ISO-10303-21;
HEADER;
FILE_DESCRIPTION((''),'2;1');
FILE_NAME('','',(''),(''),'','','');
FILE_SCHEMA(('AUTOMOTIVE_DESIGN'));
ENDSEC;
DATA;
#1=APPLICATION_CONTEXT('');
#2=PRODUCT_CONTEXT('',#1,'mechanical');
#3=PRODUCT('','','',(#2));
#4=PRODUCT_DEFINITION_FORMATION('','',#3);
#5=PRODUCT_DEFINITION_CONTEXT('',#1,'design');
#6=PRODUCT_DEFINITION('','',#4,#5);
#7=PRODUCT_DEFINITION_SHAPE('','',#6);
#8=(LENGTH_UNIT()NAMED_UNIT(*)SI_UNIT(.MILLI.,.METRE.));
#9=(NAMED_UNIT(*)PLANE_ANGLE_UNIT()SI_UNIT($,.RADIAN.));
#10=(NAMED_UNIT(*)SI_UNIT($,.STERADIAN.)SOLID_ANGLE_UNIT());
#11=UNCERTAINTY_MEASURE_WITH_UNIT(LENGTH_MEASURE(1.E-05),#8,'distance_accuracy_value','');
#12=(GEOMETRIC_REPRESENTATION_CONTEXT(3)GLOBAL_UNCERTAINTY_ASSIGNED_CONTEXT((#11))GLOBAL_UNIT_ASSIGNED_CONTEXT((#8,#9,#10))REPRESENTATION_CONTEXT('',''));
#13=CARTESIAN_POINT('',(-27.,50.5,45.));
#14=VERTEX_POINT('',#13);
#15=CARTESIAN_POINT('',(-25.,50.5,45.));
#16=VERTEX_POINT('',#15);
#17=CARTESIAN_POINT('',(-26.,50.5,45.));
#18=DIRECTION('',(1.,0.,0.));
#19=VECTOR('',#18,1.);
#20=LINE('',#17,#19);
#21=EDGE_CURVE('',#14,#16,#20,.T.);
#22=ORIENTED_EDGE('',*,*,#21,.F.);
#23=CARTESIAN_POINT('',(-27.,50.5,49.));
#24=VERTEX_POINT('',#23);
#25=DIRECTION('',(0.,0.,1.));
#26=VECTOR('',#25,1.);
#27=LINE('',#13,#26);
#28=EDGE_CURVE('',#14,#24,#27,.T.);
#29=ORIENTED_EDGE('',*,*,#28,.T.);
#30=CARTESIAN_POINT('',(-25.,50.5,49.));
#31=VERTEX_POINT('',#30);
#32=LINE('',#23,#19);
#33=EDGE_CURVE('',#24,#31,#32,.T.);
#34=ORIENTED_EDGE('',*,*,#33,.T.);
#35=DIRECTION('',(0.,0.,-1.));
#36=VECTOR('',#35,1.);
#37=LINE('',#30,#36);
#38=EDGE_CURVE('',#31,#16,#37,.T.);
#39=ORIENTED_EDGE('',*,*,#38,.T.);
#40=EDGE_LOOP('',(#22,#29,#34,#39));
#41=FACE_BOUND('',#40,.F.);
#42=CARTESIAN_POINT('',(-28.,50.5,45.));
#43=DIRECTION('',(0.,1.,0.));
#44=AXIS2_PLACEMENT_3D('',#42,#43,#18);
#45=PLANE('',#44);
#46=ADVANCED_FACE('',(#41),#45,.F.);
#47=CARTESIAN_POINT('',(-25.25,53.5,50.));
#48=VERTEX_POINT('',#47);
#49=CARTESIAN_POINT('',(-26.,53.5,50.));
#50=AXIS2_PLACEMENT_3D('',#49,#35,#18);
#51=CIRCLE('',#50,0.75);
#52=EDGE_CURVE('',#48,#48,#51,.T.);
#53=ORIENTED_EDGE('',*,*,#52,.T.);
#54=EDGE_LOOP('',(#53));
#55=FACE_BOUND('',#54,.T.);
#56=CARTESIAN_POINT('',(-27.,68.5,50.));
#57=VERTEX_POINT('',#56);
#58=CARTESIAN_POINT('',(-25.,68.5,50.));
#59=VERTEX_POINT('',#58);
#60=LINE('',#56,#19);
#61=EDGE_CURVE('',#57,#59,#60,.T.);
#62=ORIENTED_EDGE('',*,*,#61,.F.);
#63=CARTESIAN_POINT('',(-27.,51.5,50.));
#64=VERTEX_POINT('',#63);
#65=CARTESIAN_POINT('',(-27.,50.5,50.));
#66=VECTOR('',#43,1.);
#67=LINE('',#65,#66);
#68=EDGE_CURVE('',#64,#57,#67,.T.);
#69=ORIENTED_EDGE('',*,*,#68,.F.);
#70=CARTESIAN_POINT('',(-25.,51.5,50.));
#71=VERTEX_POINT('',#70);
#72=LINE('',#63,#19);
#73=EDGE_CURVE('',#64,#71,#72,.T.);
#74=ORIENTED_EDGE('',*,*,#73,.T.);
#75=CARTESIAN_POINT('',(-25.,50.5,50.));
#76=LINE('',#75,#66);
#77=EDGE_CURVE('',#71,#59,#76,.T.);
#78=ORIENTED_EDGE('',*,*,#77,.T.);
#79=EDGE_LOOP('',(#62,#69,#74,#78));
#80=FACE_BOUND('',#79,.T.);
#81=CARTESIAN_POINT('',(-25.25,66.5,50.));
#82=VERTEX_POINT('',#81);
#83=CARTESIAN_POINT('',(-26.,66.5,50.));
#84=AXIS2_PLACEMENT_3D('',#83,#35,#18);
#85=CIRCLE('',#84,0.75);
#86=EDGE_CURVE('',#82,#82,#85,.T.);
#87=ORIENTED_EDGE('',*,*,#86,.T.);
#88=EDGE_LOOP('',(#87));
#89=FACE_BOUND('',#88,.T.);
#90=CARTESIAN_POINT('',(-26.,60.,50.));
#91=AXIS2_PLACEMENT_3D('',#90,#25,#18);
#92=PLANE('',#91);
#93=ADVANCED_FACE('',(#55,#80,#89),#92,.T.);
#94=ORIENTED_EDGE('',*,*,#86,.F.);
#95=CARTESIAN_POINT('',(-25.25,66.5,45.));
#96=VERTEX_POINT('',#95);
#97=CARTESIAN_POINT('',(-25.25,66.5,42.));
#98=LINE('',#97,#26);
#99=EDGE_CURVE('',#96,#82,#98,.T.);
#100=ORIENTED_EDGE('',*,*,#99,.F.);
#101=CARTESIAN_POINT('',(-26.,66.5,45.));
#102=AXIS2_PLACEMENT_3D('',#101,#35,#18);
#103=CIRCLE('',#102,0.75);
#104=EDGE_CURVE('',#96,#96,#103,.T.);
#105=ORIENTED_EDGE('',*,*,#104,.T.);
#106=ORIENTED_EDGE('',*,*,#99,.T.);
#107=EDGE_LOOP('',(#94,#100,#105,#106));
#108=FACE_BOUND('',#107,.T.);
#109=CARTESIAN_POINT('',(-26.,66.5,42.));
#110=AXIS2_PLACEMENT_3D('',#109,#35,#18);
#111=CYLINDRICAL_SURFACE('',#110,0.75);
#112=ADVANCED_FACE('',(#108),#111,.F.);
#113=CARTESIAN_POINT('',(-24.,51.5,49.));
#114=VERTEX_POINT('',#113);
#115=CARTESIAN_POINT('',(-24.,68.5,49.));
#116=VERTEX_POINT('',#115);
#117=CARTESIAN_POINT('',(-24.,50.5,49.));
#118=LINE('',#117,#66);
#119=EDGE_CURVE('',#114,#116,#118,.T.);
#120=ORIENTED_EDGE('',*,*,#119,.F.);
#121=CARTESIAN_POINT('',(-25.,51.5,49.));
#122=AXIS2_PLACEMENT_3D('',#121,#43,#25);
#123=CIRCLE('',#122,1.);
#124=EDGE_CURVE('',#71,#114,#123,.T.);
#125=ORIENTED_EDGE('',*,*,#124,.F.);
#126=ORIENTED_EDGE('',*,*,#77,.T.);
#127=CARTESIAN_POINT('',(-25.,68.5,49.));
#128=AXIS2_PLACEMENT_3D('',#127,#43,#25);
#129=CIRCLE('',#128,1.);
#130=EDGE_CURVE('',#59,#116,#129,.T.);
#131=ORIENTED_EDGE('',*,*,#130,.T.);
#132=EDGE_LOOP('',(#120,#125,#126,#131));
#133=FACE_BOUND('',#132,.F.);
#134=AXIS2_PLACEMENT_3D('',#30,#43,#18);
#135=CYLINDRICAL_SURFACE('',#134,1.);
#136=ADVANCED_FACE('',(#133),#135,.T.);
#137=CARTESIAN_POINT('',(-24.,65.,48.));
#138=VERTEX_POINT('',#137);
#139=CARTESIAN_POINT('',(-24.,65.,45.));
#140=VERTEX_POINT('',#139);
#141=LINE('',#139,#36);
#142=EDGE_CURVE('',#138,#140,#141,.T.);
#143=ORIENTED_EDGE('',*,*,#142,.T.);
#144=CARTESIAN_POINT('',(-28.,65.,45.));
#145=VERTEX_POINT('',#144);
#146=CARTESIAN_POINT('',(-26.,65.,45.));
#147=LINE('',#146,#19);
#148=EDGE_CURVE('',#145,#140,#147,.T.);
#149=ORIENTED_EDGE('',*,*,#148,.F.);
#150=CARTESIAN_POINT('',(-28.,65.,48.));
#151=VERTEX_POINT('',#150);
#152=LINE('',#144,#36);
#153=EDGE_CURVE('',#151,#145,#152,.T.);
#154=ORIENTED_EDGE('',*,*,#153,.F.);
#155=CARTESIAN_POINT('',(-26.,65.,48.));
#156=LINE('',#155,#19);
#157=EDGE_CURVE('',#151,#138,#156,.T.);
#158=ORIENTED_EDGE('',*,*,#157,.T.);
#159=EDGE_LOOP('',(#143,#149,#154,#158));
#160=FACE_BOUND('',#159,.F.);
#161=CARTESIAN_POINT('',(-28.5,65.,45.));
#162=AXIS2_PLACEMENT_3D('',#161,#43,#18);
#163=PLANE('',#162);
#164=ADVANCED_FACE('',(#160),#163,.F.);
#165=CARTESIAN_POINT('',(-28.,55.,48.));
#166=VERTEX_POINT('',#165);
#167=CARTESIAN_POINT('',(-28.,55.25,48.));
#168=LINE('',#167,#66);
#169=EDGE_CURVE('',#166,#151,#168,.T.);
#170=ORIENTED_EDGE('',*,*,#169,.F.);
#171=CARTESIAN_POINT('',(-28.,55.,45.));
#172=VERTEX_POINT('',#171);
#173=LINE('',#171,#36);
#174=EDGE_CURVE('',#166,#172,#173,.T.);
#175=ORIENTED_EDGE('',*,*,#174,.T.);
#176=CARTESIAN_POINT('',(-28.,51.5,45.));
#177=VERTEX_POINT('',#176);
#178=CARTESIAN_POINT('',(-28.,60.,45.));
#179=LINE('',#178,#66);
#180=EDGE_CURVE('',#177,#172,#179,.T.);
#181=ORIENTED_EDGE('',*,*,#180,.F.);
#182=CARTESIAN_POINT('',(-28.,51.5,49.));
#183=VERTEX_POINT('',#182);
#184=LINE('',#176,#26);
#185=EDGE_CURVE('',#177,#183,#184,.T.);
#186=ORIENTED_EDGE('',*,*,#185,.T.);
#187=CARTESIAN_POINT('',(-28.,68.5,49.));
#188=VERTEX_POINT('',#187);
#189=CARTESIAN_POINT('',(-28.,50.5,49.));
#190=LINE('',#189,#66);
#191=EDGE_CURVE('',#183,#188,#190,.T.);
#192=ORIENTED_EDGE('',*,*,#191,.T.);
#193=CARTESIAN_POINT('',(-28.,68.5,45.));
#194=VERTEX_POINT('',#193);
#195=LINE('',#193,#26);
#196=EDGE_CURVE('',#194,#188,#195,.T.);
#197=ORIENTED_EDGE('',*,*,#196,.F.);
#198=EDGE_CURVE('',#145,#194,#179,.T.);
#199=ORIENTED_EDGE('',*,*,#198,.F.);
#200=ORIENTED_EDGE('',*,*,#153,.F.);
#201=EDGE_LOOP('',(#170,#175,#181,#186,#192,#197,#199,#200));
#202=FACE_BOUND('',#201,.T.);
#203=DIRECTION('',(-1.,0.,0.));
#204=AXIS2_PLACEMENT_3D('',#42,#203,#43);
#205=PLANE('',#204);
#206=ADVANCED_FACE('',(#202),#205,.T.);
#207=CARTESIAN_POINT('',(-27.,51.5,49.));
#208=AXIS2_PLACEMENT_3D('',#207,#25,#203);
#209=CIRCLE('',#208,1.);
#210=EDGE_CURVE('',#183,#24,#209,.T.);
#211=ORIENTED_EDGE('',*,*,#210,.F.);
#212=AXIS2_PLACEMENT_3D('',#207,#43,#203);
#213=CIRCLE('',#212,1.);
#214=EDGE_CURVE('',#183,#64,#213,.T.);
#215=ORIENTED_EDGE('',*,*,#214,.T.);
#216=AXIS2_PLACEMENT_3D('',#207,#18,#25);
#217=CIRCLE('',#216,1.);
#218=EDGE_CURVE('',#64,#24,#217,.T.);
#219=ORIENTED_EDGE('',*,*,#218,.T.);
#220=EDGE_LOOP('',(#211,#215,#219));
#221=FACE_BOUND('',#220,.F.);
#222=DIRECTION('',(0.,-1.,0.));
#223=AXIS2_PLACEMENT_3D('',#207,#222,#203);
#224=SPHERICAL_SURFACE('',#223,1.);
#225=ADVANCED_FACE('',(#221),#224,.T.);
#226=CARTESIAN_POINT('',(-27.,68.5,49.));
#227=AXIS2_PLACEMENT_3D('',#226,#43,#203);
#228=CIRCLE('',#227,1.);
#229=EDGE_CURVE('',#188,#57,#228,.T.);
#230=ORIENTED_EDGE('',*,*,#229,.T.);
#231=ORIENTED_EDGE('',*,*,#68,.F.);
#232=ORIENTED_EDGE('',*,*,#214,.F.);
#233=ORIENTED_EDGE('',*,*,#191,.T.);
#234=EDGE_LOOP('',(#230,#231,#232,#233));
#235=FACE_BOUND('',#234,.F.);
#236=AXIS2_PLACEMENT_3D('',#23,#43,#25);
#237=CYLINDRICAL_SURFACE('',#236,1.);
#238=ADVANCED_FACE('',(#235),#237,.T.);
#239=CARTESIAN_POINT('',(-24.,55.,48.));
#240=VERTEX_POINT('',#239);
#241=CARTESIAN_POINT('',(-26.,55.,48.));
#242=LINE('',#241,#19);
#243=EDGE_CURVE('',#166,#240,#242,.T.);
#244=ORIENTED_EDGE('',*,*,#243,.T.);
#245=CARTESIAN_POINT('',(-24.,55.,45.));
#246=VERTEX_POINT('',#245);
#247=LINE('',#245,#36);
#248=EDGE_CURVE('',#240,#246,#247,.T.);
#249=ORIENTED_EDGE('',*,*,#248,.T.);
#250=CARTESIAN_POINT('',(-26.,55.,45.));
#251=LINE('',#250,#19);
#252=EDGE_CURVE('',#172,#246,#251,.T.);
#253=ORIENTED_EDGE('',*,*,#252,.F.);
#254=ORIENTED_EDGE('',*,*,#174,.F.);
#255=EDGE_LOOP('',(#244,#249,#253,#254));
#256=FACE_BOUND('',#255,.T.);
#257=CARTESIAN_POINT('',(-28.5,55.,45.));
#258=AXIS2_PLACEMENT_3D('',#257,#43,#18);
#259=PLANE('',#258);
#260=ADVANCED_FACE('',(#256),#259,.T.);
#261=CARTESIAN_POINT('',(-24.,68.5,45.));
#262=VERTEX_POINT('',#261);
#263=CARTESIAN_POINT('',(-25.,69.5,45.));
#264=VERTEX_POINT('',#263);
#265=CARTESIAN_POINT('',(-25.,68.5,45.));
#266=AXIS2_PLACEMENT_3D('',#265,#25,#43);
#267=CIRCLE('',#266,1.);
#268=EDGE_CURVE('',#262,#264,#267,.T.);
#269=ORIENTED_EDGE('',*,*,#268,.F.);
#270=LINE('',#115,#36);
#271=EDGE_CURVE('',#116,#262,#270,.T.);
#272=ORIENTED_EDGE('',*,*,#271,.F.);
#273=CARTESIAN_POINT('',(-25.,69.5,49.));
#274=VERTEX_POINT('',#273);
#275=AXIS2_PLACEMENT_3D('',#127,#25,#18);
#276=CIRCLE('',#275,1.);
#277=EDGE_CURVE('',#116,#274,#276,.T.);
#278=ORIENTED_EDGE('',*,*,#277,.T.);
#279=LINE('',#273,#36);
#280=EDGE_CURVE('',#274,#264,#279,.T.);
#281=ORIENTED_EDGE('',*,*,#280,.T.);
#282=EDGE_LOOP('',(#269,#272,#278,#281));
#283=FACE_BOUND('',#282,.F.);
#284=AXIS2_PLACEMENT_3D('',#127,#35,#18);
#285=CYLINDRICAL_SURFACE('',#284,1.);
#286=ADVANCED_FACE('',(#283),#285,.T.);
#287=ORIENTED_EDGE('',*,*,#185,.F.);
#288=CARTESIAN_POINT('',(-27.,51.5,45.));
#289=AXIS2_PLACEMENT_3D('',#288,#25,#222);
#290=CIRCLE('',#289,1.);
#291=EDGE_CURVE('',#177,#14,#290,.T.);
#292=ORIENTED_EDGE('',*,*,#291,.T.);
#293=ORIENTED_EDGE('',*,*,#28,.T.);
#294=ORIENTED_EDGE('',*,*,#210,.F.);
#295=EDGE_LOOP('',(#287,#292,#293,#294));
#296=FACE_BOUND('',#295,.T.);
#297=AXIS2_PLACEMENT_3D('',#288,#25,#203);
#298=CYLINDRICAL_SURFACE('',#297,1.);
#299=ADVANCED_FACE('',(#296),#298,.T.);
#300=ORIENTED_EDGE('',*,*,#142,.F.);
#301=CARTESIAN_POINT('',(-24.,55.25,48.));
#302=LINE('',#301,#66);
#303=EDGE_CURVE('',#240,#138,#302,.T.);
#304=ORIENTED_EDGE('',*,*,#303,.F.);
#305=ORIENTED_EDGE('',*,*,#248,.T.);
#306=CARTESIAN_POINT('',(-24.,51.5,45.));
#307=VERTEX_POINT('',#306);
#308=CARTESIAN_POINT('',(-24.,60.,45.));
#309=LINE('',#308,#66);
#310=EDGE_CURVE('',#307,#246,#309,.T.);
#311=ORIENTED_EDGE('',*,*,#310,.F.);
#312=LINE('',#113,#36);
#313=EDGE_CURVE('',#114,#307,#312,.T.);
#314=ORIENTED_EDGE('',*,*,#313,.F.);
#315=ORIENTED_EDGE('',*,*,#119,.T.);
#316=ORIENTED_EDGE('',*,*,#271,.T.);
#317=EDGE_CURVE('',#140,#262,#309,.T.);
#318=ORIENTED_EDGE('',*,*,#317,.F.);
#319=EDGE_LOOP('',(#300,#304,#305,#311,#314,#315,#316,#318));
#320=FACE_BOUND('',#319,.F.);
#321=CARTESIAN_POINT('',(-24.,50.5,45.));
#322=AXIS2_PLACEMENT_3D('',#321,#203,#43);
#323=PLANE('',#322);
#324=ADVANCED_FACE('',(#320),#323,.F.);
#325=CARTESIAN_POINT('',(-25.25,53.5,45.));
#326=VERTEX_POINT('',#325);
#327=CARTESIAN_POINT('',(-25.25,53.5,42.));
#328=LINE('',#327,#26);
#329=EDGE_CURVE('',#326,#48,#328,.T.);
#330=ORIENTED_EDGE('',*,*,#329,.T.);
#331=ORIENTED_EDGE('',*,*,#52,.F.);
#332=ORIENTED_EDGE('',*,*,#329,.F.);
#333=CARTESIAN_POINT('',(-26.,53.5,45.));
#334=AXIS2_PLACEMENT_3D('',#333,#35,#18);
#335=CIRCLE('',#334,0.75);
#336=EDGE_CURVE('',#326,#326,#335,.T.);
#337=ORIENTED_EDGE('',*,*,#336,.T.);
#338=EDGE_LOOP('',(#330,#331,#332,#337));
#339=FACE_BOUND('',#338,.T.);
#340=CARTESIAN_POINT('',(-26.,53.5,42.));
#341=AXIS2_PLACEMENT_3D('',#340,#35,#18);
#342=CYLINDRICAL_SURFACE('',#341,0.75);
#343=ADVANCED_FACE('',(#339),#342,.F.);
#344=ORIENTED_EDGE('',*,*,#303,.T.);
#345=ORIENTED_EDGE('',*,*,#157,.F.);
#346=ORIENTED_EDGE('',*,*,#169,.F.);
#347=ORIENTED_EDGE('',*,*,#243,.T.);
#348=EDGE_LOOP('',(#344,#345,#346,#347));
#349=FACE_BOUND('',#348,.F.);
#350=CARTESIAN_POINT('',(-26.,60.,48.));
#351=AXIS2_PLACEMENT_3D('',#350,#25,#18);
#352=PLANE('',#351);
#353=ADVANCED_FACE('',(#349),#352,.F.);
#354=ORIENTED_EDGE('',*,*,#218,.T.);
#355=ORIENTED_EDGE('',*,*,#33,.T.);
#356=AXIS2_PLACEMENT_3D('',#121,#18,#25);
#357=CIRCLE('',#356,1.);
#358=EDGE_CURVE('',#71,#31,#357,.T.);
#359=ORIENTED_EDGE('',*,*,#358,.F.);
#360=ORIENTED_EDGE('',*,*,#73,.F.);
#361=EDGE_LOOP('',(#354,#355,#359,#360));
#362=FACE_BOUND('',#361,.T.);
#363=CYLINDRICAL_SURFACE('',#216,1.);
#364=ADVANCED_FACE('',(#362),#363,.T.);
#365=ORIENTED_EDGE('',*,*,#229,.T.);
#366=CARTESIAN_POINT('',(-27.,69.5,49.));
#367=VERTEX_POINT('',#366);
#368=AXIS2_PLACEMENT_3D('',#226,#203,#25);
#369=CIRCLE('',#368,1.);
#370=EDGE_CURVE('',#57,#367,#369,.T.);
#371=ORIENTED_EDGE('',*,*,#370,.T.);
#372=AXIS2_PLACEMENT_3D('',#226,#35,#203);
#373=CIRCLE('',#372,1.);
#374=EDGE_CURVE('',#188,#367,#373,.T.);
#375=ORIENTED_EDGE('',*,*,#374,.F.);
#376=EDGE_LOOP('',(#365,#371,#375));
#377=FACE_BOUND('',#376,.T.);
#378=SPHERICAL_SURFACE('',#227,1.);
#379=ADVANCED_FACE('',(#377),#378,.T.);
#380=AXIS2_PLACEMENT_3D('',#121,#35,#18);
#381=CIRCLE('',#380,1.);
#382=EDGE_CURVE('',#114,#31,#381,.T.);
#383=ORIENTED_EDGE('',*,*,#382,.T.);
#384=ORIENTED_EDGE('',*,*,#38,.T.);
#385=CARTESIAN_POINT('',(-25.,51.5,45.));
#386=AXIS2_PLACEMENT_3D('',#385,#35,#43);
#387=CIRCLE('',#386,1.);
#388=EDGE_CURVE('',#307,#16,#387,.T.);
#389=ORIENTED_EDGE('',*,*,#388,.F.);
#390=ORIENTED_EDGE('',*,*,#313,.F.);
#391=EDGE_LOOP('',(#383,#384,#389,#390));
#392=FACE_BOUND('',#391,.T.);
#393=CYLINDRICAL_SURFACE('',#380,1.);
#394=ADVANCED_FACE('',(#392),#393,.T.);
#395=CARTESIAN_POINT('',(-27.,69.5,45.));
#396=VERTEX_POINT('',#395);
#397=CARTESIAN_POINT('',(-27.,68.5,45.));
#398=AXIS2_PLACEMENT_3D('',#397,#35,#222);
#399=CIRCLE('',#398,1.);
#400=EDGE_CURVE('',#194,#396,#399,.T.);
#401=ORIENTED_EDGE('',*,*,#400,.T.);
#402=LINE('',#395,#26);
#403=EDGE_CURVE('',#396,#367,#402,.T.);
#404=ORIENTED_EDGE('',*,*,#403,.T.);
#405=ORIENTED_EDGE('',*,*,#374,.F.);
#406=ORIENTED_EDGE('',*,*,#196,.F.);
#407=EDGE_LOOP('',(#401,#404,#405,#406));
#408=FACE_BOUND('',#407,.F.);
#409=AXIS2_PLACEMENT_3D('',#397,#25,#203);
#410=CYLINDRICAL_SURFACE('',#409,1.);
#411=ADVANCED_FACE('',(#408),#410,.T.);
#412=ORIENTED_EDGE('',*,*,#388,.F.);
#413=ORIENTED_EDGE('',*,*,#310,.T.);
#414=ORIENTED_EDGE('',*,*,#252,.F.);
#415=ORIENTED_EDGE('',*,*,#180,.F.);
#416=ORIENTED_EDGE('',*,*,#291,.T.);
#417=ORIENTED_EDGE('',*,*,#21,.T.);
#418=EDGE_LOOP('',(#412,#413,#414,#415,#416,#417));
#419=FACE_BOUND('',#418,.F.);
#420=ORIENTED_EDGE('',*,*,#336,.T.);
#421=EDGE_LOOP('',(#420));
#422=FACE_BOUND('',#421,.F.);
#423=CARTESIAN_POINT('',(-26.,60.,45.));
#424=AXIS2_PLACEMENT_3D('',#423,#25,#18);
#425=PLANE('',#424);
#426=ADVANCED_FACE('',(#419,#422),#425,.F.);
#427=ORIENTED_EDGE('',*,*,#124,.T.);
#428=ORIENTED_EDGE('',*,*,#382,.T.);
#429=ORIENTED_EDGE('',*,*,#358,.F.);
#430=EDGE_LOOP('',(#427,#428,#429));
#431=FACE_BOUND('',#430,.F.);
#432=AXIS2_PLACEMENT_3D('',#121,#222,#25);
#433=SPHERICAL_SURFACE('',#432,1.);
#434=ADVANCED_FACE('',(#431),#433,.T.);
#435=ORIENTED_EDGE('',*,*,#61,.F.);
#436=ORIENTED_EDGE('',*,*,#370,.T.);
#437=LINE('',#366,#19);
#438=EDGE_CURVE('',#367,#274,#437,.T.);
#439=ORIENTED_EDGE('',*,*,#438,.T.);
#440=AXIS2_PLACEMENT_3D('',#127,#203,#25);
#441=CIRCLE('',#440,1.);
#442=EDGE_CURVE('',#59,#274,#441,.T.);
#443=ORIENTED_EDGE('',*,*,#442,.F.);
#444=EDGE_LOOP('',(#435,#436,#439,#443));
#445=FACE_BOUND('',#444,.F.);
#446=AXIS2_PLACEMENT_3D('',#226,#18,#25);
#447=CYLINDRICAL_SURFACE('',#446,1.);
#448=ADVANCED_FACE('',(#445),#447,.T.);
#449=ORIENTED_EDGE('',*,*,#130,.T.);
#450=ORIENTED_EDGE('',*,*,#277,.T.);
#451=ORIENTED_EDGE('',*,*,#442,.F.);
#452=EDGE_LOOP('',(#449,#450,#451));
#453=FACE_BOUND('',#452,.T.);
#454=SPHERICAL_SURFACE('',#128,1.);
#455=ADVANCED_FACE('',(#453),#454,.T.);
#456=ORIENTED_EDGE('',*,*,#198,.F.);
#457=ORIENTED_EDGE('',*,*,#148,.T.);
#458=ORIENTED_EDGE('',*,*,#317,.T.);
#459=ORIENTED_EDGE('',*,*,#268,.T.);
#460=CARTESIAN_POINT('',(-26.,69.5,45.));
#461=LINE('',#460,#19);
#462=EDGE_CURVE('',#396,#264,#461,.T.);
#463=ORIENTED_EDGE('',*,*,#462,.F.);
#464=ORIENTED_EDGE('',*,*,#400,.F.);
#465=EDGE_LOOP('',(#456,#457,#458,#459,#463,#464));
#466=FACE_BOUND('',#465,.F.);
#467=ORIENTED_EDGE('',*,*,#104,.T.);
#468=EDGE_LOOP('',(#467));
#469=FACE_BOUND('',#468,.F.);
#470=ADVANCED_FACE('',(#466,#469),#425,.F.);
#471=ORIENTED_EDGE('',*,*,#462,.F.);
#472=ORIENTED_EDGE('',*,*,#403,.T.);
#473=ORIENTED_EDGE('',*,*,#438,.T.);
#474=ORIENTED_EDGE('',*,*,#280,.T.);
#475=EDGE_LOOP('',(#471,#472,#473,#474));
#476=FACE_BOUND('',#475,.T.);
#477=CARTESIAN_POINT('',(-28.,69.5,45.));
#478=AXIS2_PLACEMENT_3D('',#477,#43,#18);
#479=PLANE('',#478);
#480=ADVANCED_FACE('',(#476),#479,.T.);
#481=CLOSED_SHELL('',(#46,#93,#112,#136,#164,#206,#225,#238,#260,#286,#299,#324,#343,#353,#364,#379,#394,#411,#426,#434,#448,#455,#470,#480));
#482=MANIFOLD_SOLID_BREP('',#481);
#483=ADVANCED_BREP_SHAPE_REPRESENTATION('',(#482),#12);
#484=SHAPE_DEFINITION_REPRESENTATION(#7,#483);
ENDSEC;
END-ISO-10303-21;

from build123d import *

# Parameters (mm, degrees)
CYLINDER040_R     = 0.75
CYLINDER040_DEPTH = 10
CYLINDER037_R     = 0.75
CYLINDER037_DEPTH = 10
BOX038_W          = 5
BOX038_H          = 10
BOX038_DEPTH      = 3
BOX003_W          = 4
BOX003_H          = 19
BOX003_DEPTH      = 5
FILLET_R          = 1
FILLET001_R       = 1
FILLET002_R       = 1
FILLET003_R       = 1


with BuildPart() as cilindro040:
    # Cylinder040 → Cylinder040 (new body)
    with BuildSketch(Plane(origin=(-26, 66, 42), x_dir=(1, 0, 0), z_dir=(0, 0, 1))):
        Circle(CYLINDER040_R)
    extrude(amount=CYLINDER040_DEPTH)


with BuildPart() as cilindro037:
    # Cylinder037 → Cylinder037 (new body)
    with BuildSketch(Plane(origin=(-26, 53, 42), x_dir=(1, 0, 0), z_dir=(0, 0, 1))):
        Circle(CYLINDER037_R)
    extrude(amount=CYLINDER037_DEPTH)


with BuildPart() as cubo038:
    # Box038 → Box038 (new body)
    with BuildSketch(Plane(origin=(-28.5, 54.5, 51), x_dir=(1, 0, 0), z_dir=(0, 0, 1))):
        with Locations((2.5, 5)):
            Rectangle(BOX038_W, BOX038_H)
    extrude(amount=BOX038_DEPTH)


with BuildPart() as cut058:
    # Box003 → Box003 (new body)
    with BuildSketch(Plane(origin=(-2, 50, 45), x_dir=(1, 0, 0), z_dir=(0, 0, 1))):
        with Locations((2, 9.5)):
            Rectangle(BOX003_W, BOX003_H)
    extrude(amount=BOX003_DEPTH)

    # Fillet
    fillet_edges = [cut058.edges().sort_by_distance(p)[0] for p in [
        (2, 59.5, 50),
    ]]
    fillet(fillet_edges, radius=FILLET_R)

    # Fillet001
    fillet001_edges = [cut058.edges().sort_by_distance(p)[0] for p in [
        (-2, 59.5, 50),
    ]]
    fillet(fillet001_edges, radius=FILLET001_R)

    # Fillet002
    fillet002_edges = [cut058.edges().sort_by_distance(p)[0] for p in [
        (0, 69, 50),
    ]]
    fillet(fillet002_edges, radius=FILLET002_R)

    # Fillet003
    fillet003_edges = [cut058.edges().sort_by_distance(p)[0] for p in [
        (0, 50, 50),
    ]]
    fillet(fillet003_edges, radius=FILLET003_R)


with BuildPart() as cut058_1:
    # Fillet003 placement: moved
    add(cut058.part.moved(Location((-26, 0, 6))))

    # Cut055: cut Cubo038
    add(cubo038.part, mode=Mode.SUBTRACT)


with BuildPart() as cut058_2:
    # Cut055 placement: moved
    add(cut058_1.part.moved(Location((0, 0, -6))))

    # Cut057: cut Cilindro037
    add(cilindro037.part, mode=Mode.SUBTRACT)

    # Cut058: cut Cilindro040
    add(cilindro040.part, mode=Mode.SUBTRACT)


with BuildPart() as cut058_3:
    # Cut058 placement: moved
    add(cut058_2.part.moved(Location((0, 0.5, 0))))


solid = cut058_3.part
